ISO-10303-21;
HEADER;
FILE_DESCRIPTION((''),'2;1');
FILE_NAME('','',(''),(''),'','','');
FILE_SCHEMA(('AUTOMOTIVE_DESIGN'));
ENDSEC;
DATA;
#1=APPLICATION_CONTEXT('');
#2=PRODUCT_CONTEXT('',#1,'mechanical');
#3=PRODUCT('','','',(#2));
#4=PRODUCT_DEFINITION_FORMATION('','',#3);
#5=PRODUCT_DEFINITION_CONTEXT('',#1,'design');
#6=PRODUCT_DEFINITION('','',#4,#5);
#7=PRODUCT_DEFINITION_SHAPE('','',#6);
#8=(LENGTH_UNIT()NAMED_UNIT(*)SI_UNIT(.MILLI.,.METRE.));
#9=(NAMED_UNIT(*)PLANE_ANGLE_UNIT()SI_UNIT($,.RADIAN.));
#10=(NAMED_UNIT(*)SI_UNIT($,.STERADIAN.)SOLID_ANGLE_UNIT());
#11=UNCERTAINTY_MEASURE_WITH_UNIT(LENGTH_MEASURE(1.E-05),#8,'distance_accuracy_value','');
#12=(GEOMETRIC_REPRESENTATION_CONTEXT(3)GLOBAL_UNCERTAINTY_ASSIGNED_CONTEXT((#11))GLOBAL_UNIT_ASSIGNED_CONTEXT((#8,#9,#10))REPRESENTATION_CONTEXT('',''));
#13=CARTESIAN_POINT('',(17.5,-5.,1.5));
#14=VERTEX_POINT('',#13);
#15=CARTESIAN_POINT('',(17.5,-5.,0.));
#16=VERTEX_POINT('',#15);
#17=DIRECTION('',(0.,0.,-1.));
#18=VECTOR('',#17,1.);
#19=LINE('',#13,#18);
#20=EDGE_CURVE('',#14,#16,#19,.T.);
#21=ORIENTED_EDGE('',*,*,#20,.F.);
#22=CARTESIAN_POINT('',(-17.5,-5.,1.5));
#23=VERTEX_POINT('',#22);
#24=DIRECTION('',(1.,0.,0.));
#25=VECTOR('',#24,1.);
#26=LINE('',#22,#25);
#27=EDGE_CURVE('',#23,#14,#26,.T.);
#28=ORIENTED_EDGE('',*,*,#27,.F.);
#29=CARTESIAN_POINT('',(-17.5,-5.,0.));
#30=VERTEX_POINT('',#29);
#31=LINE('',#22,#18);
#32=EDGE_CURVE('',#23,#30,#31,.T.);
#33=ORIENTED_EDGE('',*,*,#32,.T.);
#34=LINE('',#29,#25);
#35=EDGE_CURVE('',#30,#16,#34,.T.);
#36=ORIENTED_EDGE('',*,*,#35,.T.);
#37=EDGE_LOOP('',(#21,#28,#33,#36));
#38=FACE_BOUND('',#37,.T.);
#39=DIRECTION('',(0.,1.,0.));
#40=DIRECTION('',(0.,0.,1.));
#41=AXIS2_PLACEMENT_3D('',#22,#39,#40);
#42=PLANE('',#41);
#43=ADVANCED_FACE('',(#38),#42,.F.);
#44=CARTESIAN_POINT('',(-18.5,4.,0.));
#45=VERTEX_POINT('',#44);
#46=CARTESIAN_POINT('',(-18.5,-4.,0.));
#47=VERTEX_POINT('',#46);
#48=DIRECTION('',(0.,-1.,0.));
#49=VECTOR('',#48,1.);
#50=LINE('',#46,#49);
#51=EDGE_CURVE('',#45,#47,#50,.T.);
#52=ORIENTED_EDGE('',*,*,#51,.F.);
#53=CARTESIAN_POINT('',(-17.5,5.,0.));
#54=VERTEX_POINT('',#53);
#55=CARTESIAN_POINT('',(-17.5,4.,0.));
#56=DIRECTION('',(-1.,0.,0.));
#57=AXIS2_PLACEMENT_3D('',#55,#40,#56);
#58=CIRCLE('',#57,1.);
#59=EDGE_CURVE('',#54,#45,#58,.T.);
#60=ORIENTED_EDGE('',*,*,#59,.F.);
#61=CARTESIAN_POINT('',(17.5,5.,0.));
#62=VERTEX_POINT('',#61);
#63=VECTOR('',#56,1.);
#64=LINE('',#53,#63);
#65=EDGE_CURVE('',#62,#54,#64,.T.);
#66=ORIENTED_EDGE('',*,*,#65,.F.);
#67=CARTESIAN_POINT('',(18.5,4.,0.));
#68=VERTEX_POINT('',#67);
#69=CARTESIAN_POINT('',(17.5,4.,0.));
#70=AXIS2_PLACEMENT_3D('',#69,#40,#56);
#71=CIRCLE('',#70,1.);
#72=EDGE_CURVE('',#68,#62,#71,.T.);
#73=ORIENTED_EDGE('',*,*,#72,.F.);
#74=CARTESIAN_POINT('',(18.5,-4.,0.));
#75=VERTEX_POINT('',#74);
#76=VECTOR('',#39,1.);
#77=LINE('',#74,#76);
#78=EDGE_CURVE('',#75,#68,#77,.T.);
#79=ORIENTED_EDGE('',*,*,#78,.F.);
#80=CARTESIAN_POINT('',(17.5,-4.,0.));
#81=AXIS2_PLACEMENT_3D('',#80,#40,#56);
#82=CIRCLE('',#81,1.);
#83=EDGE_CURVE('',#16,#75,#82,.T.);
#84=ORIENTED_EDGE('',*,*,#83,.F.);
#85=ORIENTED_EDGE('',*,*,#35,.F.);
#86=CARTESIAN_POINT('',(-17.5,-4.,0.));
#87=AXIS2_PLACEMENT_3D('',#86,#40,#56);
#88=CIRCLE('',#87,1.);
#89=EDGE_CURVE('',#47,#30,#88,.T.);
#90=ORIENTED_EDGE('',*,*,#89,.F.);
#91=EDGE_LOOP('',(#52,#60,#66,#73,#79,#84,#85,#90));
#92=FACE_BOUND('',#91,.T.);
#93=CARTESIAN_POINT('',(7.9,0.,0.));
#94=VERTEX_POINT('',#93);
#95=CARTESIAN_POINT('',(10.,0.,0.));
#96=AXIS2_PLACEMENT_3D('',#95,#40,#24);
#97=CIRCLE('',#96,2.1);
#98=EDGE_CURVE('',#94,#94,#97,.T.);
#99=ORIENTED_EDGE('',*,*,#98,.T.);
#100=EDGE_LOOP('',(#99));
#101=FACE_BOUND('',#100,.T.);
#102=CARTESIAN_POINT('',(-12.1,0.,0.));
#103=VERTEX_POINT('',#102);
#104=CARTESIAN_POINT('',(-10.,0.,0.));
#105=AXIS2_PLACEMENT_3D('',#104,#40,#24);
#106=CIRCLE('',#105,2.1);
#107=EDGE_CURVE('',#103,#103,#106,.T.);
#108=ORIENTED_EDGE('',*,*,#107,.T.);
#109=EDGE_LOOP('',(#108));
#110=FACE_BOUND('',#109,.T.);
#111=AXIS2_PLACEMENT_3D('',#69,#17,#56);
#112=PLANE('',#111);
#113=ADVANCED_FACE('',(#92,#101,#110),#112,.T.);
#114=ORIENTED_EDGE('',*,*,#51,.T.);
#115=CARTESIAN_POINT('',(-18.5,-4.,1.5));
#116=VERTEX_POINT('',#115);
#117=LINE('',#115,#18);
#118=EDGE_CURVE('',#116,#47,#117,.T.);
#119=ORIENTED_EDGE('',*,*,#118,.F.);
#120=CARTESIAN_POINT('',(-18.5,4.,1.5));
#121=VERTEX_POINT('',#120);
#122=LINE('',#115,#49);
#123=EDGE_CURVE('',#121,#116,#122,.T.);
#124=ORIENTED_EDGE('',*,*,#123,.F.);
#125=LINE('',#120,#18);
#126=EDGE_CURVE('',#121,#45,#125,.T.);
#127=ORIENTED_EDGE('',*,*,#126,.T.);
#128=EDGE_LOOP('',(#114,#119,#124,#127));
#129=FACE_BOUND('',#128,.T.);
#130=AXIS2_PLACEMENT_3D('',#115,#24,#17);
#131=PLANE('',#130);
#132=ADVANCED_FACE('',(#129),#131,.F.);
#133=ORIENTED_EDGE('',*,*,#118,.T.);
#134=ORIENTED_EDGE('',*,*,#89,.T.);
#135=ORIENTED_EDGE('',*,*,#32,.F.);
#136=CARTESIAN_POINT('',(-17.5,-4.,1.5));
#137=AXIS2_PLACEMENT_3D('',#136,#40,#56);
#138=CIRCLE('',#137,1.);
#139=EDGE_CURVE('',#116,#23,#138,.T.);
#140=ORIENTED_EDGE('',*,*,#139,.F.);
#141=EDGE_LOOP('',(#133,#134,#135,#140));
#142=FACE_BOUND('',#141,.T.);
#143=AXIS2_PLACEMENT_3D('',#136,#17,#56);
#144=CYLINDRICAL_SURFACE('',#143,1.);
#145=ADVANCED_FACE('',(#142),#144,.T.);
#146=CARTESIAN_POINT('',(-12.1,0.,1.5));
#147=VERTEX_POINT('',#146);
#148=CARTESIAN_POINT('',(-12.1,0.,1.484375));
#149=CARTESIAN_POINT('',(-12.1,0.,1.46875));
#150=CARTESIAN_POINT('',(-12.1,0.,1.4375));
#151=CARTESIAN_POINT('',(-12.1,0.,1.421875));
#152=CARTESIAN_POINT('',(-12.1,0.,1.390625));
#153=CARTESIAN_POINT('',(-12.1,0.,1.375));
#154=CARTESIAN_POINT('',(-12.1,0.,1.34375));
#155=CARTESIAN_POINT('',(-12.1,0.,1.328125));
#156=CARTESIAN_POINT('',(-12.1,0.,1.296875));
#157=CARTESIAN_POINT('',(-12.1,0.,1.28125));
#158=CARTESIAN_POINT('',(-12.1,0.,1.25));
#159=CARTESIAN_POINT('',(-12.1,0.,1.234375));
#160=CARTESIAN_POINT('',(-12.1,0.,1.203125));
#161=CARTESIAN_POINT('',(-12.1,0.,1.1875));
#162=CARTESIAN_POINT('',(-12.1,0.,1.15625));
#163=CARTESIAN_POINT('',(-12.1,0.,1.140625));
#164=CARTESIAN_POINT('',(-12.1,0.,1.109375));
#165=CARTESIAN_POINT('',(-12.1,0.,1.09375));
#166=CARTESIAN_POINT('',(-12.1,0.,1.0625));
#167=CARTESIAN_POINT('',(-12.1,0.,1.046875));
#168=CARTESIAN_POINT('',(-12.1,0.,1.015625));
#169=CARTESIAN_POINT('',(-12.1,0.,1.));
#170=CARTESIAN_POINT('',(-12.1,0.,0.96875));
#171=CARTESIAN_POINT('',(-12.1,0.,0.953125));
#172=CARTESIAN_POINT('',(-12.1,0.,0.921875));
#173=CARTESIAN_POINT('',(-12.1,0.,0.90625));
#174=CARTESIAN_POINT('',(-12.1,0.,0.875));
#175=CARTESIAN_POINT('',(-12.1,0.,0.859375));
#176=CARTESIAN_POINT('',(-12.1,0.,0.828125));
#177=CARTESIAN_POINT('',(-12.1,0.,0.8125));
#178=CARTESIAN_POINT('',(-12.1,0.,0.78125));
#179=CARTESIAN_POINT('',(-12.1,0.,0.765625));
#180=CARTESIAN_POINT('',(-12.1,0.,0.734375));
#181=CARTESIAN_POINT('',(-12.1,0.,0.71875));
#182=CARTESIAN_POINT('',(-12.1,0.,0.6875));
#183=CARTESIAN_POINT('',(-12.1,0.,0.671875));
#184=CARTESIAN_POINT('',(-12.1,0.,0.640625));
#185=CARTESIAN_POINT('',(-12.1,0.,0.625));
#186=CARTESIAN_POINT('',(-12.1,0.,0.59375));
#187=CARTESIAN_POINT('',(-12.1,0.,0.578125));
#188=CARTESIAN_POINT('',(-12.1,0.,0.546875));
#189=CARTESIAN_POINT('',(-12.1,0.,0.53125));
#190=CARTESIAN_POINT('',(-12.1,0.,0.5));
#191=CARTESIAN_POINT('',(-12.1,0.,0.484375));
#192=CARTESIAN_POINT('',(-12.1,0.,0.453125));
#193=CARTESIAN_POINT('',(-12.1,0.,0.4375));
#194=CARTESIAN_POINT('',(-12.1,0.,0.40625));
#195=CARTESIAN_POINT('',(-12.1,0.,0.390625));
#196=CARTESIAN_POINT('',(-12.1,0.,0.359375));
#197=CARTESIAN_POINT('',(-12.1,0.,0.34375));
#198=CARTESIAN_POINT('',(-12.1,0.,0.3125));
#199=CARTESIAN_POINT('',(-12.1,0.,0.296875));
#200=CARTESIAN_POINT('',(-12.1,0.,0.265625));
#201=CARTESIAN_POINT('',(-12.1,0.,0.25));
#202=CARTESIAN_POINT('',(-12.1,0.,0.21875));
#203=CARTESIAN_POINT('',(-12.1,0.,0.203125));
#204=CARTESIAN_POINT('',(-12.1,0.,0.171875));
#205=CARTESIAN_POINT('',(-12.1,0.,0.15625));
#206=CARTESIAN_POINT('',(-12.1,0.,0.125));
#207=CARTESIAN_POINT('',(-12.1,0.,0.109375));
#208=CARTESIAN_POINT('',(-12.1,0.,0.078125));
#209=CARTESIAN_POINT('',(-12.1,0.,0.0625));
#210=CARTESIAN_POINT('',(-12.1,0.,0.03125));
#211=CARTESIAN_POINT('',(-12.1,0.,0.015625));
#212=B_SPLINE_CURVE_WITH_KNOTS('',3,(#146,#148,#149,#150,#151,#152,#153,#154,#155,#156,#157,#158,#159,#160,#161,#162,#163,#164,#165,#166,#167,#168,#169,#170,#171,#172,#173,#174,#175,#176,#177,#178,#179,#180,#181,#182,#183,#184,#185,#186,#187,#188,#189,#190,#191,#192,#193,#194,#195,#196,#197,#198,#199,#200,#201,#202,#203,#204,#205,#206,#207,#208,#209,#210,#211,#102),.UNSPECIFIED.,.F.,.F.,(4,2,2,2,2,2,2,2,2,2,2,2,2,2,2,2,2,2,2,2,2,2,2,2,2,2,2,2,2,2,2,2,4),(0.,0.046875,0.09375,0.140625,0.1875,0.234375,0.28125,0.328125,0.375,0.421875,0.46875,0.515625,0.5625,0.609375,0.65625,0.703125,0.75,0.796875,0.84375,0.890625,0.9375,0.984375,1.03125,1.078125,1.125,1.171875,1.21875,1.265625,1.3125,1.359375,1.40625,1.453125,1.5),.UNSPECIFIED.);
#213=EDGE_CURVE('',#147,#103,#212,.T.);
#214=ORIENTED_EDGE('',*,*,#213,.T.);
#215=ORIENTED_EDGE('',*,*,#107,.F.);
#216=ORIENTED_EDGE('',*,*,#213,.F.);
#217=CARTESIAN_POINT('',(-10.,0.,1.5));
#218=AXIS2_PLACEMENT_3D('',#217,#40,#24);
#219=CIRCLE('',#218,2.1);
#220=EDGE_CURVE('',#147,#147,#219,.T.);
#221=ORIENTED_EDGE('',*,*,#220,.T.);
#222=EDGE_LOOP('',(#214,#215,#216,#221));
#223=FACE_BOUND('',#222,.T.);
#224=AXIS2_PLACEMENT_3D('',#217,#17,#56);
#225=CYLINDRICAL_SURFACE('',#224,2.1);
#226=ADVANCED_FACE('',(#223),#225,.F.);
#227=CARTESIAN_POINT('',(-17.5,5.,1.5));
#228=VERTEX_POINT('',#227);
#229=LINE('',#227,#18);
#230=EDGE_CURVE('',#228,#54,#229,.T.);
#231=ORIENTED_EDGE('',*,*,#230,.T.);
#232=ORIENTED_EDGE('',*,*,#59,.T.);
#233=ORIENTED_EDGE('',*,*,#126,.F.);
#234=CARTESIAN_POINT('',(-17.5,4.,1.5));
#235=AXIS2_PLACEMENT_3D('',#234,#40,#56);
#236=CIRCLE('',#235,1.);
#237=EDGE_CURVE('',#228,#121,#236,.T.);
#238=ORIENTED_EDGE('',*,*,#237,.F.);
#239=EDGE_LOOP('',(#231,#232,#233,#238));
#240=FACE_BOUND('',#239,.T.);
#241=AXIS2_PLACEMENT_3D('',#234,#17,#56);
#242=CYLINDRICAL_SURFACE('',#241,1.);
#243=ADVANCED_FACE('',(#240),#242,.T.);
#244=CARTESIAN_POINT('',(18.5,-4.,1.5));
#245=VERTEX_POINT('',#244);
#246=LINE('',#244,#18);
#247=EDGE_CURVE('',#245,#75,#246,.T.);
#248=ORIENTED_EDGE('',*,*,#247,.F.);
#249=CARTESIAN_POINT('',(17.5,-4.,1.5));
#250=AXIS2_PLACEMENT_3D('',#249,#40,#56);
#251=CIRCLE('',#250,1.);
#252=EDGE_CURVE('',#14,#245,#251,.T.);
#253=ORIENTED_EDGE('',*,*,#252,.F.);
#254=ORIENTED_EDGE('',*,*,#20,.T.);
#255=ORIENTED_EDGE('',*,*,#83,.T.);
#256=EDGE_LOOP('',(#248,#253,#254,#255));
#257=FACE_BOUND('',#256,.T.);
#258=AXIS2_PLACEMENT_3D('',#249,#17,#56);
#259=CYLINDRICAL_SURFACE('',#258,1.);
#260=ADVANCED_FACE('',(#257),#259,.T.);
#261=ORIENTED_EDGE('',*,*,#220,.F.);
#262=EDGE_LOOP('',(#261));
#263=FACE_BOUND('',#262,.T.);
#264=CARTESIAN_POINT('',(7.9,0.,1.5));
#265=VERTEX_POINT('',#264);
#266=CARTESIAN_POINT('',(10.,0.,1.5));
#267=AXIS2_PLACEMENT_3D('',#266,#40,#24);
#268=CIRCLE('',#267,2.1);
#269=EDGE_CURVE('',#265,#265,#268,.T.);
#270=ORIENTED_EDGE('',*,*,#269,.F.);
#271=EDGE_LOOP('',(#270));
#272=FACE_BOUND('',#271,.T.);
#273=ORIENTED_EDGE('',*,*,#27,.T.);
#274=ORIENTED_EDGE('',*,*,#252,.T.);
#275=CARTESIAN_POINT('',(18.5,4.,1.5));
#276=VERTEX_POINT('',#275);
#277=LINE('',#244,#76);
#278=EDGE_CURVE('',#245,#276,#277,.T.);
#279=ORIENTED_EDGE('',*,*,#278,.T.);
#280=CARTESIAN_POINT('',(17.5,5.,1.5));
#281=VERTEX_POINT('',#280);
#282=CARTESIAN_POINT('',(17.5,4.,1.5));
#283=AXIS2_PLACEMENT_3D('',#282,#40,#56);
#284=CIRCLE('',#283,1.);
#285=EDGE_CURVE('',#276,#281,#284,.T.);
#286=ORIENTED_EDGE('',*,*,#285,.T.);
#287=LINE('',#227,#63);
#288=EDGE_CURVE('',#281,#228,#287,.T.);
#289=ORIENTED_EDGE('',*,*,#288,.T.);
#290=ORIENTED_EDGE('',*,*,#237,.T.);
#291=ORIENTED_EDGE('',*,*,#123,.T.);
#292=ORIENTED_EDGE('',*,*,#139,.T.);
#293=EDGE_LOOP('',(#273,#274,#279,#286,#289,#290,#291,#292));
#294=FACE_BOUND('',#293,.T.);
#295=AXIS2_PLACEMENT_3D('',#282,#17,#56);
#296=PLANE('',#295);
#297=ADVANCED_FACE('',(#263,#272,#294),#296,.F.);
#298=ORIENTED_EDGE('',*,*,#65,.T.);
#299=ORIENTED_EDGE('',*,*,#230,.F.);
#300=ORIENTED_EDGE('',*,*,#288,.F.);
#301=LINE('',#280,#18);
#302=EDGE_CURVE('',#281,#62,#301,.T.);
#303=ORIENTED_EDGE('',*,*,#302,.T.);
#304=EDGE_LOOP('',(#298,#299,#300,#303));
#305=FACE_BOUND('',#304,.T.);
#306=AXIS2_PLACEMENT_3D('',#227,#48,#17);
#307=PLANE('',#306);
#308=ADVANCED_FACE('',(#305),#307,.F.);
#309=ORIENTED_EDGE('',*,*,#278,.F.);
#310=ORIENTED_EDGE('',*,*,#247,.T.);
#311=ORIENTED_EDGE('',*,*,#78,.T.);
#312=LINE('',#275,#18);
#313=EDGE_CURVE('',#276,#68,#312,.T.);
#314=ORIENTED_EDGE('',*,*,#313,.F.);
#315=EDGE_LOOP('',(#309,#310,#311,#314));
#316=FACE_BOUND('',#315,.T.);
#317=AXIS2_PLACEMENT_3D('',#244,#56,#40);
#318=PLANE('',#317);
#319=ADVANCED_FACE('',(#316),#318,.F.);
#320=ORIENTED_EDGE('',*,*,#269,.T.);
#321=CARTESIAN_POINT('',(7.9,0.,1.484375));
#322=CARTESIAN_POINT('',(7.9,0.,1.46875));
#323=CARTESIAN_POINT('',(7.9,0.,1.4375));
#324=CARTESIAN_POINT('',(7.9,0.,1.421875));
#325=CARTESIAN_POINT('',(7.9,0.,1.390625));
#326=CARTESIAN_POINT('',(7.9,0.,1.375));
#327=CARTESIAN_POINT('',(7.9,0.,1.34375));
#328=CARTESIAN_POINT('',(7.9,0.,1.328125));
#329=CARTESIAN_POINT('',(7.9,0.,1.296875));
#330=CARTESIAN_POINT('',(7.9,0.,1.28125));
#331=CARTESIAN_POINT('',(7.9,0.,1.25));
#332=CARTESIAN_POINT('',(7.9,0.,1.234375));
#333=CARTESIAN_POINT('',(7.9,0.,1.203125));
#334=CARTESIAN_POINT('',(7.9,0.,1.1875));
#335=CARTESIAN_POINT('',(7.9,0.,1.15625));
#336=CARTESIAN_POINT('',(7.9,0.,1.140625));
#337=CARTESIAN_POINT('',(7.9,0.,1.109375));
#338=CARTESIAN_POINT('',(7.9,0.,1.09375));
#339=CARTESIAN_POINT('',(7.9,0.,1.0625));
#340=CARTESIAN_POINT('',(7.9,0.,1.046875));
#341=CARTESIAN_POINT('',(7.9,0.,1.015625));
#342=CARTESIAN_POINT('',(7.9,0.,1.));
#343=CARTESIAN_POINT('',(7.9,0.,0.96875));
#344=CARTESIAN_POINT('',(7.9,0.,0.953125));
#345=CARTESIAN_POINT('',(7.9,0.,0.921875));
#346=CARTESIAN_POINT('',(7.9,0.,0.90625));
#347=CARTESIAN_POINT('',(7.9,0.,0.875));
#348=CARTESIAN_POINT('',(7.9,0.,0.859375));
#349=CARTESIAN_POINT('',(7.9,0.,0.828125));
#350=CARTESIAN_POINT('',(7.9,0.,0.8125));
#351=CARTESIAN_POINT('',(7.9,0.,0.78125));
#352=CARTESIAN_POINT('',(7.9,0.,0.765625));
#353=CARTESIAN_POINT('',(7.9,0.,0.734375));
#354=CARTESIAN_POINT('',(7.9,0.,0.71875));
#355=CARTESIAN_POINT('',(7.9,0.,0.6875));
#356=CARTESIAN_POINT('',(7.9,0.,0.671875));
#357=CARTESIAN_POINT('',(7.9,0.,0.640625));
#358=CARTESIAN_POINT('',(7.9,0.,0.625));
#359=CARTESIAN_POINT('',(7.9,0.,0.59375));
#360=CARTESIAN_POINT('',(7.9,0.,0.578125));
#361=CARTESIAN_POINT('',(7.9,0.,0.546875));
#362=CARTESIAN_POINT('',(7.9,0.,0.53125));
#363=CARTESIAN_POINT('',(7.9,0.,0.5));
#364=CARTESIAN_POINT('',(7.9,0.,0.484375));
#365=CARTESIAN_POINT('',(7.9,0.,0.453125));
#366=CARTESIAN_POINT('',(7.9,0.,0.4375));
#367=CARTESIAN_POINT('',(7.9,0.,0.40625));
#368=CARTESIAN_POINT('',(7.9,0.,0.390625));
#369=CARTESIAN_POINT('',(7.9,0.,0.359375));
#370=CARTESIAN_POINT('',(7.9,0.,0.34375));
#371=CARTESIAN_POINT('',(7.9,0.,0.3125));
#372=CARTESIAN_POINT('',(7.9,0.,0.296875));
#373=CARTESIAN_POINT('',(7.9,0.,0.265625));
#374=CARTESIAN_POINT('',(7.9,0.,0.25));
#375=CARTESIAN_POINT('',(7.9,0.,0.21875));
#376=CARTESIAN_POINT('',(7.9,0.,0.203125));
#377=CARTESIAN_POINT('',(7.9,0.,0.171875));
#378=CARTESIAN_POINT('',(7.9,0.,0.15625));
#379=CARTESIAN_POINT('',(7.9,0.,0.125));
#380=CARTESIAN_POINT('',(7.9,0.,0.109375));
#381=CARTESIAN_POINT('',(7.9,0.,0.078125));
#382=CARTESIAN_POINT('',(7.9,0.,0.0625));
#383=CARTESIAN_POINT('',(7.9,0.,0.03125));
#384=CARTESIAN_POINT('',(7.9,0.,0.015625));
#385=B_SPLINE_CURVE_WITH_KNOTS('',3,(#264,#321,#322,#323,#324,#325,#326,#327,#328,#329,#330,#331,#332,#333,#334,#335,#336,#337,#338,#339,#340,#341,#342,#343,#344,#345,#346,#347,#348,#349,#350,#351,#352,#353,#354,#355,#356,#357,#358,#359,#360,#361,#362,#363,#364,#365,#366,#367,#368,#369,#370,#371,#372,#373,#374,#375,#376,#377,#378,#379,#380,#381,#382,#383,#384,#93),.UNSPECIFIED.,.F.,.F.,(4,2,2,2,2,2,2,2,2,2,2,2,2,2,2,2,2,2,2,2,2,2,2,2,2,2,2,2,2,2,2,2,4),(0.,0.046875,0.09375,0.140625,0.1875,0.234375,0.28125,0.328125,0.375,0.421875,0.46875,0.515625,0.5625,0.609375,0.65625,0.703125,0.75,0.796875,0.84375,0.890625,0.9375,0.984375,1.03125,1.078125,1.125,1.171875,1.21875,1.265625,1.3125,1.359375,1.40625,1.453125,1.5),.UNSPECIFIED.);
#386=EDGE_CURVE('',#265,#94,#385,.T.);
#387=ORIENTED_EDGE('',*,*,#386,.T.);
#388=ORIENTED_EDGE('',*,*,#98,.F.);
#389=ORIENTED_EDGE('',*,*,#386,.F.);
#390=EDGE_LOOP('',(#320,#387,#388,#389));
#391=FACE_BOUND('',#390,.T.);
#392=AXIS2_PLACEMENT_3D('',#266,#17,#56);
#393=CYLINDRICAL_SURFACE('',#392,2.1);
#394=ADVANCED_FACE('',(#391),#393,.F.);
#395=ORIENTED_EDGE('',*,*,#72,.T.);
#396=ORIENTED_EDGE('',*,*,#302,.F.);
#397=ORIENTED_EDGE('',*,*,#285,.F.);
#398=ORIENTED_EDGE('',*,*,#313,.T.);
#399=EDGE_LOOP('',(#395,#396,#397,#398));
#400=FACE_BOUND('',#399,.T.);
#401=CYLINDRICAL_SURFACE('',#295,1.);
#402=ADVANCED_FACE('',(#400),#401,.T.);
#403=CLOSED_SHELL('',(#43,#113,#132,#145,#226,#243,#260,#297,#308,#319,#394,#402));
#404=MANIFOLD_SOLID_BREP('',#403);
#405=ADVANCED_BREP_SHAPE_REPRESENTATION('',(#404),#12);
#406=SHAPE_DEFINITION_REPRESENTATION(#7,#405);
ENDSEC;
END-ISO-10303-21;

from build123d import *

# Parameters (mm, degrees)
SKETCH1_R           = 2.1
BOSS_EXTRUDE1_DEPTH = 1.5


with BuildPart() as part:
    # Sketch1 → Boss-Extrude1 (new body)
    with BuildSketch(Plane.XY):
        with BuildLine():
            Line((-17.5, -5), (17.5, -5))
            ThreePointArc((17.5, -5), (18.207106781, -4.707106781), (18.5, -4))
            Line((18.5, -4), (18.5, 4))
            ThreePointArc((18.5, 4), (18.207106781, 4.707106781), (17.5, 5))
            Line((17.5, 5), (-17.5, 5))
            ThreePointArc((-17.5, 5), (-18.207106781, 4.707106781), (-18.5, 4))
            Line((-18.5, 4), (-18.5, -4))
            ThreePointArc((-18.5, -4), (-18.207106781, -4.707106781), (-17.5, -5))
        make_face()
        with Locations(Location((-10, 0, 0), (0, 0, 180))):
            Circle(SKETCH1_R, mode=Mode.SUBTRACT)
        with Locations(Location((10, 0, 0), (0, 0, 180))):
            Circle(SKETCH1_R, mode=Mode.SUBTRACT)
    extrude(amount=BOSS_EXTRUDE1_DEPTH)


solid = part.part
